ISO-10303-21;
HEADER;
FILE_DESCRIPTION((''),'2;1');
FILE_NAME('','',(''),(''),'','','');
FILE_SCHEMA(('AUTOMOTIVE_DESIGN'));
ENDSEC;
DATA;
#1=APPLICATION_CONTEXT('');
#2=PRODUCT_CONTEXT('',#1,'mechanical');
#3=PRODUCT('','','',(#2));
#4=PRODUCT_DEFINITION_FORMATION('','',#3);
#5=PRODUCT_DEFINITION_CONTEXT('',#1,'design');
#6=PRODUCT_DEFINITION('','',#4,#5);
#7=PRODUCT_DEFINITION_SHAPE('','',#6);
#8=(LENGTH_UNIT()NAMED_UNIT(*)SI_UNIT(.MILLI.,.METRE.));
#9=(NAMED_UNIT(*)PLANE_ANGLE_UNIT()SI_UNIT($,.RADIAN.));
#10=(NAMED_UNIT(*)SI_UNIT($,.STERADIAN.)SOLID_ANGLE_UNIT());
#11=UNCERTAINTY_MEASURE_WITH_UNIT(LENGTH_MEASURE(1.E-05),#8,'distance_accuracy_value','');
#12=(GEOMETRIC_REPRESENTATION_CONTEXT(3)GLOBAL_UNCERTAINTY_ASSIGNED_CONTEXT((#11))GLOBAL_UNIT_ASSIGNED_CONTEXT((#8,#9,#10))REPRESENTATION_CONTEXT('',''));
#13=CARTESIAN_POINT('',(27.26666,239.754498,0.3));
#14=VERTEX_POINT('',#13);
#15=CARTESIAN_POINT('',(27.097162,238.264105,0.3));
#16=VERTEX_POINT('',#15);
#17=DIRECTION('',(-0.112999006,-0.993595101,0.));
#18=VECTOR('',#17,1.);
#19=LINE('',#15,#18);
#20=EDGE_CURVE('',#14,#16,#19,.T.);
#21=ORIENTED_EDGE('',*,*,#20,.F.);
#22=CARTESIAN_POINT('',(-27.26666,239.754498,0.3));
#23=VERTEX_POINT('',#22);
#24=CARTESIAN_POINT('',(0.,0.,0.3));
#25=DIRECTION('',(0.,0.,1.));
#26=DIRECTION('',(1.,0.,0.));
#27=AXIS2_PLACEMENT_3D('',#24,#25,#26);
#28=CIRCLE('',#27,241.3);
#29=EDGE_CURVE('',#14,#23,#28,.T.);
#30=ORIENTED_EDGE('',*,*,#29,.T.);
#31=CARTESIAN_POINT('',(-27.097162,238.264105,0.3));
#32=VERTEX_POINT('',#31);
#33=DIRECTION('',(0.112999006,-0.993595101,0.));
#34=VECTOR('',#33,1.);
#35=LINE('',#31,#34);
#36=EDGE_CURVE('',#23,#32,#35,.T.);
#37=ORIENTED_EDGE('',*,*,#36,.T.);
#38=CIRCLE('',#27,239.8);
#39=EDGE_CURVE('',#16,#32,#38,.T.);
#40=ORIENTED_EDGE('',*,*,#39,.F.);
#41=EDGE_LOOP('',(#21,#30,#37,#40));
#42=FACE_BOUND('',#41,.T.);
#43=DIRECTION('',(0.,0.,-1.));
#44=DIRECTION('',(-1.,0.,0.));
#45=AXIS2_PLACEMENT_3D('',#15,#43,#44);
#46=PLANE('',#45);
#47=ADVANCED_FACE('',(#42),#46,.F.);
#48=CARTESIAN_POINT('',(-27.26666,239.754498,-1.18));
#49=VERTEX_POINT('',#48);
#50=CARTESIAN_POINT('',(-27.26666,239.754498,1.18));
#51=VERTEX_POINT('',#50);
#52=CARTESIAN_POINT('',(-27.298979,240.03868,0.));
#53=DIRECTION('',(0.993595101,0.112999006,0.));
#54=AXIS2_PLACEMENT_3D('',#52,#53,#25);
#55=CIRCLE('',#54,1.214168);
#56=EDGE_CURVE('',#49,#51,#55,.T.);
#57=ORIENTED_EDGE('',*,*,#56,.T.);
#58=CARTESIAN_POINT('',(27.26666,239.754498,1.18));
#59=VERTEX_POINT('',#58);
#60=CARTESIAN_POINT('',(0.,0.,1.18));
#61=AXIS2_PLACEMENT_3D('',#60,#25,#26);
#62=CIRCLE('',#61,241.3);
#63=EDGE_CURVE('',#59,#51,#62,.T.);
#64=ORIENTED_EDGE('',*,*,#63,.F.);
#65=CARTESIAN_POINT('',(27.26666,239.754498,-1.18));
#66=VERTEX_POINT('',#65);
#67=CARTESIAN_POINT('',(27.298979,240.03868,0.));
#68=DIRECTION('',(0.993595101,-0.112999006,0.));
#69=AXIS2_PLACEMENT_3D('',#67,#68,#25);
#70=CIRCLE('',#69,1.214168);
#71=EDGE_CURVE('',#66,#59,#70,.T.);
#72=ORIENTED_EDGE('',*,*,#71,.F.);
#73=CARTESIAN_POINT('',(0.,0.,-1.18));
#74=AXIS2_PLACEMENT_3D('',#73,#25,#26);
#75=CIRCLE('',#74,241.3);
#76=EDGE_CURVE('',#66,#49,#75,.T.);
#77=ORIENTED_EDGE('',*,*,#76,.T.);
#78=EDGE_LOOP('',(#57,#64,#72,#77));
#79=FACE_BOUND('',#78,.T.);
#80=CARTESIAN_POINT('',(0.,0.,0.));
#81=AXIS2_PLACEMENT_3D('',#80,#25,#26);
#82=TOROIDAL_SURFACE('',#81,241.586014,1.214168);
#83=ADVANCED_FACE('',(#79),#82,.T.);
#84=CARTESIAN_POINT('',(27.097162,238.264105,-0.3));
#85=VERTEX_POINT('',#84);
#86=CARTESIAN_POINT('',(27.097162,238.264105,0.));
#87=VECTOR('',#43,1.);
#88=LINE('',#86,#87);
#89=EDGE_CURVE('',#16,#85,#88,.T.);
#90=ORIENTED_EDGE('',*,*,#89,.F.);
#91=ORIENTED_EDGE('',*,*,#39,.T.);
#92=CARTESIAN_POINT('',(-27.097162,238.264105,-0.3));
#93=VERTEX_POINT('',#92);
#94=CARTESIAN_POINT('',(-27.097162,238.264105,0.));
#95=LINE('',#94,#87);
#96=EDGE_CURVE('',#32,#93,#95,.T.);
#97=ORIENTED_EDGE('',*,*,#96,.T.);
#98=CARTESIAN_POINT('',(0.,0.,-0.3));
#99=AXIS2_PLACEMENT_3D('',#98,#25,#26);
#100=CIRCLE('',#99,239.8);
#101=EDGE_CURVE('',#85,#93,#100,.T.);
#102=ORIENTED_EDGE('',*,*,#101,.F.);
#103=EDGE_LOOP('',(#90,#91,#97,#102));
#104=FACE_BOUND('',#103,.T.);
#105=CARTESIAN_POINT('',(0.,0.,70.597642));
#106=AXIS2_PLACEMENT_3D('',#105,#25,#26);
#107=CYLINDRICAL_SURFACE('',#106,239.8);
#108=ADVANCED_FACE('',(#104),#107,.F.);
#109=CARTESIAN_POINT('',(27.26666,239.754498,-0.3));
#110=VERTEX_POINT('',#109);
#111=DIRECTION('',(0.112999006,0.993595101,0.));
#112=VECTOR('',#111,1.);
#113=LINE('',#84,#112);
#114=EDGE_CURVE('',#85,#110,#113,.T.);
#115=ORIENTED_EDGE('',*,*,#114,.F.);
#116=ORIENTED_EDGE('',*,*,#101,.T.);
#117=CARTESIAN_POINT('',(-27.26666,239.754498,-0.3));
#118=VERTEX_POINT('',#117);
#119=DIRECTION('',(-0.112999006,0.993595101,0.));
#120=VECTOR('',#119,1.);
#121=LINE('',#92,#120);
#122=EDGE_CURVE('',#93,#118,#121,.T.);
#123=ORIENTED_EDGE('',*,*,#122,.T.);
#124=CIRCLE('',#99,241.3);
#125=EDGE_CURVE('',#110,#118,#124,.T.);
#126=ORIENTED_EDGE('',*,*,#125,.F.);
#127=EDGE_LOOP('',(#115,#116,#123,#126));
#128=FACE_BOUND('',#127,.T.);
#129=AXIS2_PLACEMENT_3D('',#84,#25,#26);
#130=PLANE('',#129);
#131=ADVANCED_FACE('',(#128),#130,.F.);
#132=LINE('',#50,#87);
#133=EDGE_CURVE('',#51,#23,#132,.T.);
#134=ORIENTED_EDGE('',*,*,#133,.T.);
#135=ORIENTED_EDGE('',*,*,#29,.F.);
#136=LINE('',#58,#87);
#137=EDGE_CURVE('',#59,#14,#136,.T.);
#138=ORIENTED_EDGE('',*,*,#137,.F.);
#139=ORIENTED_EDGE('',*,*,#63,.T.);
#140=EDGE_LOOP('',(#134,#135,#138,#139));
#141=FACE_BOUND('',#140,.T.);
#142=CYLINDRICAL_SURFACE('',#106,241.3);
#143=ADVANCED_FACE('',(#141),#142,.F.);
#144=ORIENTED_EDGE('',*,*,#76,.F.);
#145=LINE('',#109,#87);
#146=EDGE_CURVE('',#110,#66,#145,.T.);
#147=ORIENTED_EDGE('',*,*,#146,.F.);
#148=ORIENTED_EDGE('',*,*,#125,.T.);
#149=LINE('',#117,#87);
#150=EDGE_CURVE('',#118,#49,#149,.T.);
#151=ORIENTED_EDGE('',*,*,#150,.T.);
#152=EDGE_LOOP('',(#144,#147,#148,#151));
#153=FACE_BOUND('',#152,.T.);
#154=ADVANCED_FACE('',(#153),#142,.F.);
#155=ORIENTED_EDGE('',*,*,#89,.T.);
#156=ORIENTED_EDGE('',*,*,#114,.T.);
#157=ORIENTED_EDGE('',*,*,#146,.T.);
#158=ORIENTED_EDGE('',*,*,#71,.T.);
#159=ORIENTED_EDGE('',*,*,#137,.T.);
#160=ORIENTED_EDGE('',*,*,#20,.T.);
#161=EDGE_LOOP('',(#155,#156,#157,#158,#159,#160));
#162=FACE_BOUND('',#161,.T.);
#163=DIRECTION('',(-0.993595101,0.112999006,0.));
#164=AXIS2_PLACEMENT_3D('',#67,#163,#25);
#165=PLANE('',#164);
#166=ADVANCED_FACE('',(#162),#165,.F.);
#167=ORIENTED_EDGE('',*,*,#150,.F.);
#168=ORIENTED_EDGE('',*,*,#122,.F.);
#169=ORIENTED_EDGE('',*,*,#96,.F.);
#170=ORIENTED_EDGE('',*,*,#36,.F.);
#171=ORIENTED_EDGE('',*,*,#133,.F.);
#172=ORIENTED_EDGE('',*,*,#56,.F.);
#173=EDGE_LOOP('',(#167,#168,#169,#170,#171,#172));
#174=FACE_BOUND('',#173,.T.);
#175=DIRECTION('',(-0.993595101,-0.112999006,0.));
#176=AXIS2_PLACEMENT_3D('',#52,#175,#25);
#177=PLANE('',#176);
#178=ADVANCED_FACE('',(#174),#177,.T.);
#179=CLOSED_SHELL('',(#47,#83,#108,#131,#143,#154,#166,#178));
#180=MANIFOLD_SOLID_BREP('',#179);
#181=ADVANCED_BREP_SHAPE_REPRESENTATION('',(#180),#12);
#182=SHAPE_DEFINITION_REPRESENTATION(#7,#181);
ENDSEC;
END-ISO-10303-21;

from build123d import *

# Parameters (mm, degrees)
REVOLVE1_ANGLE           = 6.488224192
REVOLVE1_OTHER_WAY_ANGLE = 6.488224192


with BuildPart() as part:
    # Sketch2 → Revolve1 (revolve)
    with BuildSketch(Plane(origin=(0, 0, 0), x_dir=(0, 0, -1), z_dir=(1, 0, 0))):
        with BuildLine():
            Line((0, 239.8), (0.3, 239.8))
            Line((0.3, 239.8), (0.3, 241.3))
            Line((0.3, 241.3), (1.18, 241.3))
            ThreePointArc((1.18, 241.3), (0, 242.800182019), (-1.18, 241.3))
            Line((-1.18, 241.3), (-0.3, 241.3))
            Line((-0.3, 241.3), (-0.3, 239.8))
            Line((-0.3, 239.8), (0, 239.8))
        make_face()
    revolve(axis=Axis((0, 0, 70.597641597), (0, 0, -1)), revolution_arc=REVOLVE1_ANGLE)

    # Sketch2 → Revolve1 other way (revolve)
    with BuildSketch(Plane(origin=(0, 0, 0), x_dir=(0, 0, -1), z_dir=(1, 0, 0))):
        with BuildLine():
            Line((0, 239.8), (0.3, 239.8))
            Line((0.3, 239.8), (0.3, 241.3))
            Line((0.3, 241.3), (1.18, 241.3))
            ThreePointArc((1.18, 241.3), (0, 242.800182019), (-1.18, 241.3))
            Line((-1.18, 241.3), (-0.3, 241.3))
            Line((-0.3, 241.3), (-0.3, 239.8))
            Line((-0.3, 239.8), (0, 239.8))
        make_face()
    revolve(axis=Axis((0, 0, 70.597641597), (0, 0, 1)), revolution_arc=REVOLVE1_OTHER_WAY_ANGLE)


solid = part.part
